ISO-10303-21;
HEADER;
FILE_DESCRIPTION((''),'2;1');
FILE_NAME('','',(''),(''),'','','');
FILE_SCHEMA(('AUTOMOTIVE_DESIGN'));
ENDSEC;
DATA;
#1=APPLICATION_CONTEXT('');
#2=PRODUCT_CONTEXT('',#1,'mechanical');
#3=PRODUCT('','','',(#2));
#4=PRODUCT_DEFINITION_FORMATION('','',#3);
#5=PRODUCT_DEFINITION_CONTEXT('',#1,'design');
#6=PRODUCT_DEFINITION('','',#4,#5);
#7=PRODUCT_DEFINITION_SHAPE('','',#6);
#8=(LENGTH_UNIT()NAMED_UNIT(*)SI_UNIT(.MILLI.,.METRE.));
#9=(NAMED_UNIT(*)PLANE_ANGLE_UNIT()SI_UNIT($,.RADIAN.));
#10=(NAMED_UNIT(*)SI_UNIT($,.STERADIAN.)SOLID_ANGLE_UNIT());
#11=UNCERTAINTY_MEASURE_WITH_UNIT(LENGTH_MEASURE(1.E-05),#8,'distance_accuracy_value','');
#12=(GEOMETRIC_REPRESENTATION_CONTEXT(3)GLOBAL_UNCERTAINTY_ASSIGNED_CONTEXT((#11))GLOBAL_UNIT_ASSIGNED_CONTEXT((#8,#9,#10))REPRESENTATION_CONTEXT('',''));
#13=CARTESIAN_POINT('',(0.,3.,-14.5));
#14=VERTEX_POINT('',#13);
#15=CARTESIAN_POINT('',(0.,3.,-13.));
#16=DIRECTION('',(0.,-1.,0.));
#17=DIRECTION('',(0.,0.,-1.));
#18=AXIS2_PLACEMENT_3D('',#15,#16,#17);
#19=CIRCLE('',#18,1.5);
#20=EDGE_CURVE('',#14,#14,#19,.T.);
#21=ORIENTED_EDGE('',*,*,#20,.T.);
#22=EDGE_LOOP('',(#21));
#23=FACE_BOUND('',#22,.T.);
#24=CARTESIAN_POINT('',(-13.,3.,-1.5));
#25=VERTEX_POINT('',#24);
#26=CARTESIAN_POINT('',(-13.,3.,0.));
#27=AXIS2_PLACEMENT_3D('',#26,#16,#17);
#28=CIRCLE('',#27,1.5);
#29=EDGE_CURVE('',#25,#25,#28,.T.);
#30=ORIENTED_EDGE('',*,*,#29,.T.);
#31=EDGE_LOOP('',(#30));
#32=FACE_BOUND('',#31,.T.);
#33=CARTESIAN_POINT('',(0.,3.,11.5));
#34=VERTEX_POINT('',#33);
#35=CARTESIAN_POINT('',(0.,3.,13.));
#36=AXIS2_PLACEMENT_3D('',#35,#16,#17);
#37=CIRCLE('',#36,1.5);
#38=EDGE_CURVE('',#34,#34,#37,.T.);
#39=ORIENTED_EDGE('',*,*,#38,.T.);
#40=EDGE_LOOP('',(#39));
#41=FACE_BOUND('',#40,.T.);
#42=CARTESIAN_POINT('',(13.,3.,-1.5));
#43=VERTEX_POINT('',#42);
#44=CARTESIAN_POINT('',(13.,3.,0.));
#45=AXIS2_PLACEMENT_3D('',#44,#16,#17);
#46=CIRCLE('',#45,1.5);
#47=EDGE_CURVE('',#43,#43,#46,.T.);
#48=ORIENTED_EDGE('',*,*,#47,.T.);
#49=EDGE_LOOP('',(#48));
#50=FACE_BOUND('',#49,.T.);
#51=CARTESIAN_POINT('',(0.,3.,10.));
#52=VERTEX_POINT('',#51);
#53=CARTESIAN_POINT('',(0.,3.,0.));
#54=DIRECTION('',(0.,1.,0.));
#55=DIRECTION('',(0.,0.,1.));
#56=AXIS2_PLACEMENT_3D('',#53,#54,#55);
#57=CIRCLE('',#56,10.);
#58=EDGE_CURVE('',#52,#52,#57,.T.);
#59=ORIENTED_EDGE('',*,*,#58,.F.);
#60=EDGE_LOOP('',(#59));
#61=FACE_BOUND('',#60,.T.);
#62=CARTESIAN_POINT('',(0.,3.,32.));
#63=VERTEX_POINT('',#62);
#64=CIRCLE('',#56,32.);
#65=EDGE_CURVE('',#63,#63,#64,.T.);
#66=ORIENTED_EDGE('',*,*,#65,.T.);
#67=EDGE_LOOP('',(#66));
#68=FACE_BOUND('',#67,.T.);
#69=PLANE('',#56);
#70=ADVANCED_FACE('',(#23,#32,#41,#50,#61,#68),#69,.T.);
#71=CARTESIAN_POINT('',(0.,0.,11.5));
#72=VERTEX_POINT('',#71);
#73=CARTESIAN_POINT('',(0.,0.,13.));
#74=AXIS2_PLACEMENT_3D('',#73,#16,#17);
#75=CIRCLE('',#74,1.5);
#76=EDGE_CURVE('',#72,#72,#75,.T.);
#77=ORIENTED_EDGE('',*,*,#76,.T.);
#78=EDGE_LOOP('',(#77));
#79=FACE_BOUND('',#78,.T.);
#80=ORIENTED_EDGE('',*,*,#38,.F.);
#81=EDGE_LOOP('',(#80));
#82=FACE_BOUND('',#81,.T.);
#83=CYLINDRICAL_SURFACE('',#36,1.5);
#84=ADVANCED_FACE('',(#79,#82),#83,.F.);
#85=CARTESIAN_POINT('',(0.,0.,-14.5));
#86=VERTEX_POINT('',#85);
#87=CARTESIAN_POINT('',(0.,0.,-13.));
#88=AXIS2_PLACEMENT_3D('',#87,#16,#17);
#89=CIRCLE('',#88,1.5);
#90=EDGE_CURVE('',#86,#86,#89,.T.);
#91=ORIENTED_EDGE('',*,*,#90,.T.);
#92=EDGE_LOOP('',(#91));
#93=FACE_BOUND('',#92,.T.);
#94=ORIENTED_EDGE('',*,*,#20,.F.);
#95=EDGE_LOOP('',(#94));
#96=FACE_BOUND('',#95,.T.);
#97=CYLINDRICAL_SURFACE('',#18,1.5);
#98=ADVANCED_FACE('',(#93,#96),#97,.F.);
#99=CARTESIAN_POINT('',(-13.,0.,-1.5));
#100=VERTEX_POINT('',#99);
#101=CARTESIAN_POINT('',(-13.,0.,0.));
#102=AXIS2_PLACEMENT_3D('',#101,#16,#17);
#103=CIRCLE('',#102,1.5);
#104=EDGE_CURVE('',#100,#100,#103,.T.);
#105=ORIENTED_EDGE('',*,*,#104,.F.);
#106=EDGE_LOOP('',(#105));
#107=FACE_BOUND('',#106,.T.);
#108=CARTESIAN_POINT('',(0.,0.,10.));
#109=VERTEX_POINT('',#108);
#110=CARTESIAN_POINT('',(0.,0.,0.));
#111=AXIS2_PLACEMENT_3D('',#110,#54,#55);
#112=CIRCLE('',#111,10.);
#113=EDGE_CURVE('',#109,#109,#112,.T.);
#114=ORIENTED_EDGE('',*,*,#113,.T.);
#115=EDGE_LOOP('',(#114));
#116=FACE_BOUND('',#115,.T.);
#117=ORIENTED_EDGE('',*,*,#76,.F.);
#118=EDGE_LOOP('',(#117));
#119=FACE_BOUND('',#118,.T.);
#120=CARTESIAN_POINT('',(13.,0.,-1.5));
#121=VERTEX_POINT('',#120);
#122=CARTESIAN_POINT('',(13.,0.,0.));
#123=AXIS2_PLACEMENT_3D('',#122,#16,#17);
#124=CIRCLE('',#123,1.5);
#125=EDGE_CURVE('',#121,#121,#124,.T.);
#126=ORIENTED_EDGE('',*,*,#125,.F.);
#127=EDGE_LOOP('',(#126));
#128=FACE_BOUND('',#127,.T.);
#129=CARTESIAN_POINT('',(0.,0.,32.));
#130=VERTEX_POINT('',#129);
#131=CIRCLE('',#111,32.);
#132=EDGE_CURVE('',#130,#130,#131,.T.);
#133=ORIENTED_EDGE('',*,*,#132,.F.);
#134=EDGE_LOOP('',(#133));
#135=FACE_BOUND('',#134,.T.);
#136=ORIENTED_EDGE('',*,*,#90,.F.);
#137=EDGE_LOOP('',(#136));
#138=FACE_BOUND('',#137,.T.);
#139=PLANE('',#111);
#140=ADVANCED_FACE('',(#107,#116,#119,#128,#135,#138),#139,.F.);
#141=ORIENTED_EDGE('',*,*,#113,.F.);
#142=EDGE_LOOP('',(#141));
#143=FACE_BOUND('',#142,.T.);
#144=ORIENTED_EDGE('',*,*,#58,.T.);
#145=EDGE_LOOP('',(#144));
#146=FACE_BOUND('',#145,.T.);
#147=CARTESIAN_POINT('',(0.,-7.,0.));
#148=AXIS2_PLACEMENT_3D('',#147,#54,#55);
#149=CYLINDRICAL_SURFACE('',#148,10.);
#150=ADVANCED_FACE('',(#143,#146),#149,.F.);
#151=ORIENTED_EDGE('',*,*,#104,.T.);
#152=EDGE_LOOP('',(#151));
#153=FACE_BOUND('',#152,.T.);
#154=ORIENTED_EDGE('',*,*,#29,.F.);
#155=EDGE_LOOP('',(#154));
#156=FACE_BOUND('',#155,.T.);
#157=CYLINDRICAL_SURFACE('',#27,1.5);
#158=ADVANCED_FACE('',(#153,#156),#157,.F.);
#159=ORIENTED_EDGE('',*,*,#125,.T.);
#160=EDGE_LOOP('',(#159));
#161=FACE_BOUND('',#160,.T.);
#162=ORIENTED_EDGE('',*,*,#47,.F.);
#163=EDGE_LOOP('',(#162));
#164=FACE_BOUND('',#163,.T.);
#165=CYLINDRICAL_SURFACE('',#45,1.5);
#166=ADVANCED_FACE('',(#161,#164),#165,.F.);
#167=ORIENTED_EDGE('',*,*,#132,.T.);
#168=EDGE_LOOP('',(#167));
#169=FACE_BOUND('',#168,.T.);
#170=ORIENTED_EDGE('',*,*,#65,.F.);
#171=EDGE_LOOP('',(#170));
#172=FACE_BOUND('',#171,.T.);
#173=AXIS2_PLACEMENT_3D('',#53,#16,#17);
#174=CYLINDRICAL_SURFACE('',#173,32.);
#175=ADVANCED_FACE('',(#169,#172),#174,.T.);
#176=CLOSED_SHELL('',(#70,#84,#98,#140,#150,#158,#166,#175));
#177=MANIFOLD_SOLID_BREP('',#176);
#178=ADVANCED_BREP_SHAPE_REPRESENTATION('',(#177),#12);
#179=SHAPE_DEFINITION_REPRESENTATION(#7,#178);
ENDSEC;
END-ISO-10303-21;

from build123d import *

# Parameters (mm, degrees)
SKETCH1_R           = 32
BOSS_EXTRUDE1_DEPTH = 3
SKETCH2_R           = 10
CUT_EXTRUDE1_DEPTH  = 10
SKETCH3_R           = 1.5
CUT_EXTRUDE2_DEPTH  = 4


with BuildPart() as part:
    # Sketch1 → Boss-Extrude1 (new body)
    with BuildSketch(Plane(origin=(0, 0, 0), x_dir=(1, 0, 0), z_dir=(0, 1, 0))):
        Circle(SKETCH1_R)
    extrude(amount=BOSS_EXTRUDE1_DEPTH)

    # Sketch2 → Cut-Extrude1 (cut)
    with BuildSketch(Plane(origin=(0, 3, 0), x_dir=(1, 0, 0), z_dir=(0, 1, 0))):
        Circle(SKETCH2_R)
    extrude(amount=-CUT_EXTRUDE1_DEPTH, mode=Mode.SUBTRACT)

    # Sketch3 → Cut-Extrude2 (cut, through all)
    with BuildSketch(Plane.XZ):
        with Locations((13, 0)):
            Circle(SKETCH3_R)
        with Locations((0, -13)):
            Circle(SKETCH3_R)
        with Locations((-13, 0)):
            Circle(SKETCH3_R)
        with Locations((0, 13)):
            Circle(SKETCH3_R)
    extrude(amount=-CUT_EXTRUDE2_DEPTH, mode=Mode.SUBTRACT)


solid = part.part
